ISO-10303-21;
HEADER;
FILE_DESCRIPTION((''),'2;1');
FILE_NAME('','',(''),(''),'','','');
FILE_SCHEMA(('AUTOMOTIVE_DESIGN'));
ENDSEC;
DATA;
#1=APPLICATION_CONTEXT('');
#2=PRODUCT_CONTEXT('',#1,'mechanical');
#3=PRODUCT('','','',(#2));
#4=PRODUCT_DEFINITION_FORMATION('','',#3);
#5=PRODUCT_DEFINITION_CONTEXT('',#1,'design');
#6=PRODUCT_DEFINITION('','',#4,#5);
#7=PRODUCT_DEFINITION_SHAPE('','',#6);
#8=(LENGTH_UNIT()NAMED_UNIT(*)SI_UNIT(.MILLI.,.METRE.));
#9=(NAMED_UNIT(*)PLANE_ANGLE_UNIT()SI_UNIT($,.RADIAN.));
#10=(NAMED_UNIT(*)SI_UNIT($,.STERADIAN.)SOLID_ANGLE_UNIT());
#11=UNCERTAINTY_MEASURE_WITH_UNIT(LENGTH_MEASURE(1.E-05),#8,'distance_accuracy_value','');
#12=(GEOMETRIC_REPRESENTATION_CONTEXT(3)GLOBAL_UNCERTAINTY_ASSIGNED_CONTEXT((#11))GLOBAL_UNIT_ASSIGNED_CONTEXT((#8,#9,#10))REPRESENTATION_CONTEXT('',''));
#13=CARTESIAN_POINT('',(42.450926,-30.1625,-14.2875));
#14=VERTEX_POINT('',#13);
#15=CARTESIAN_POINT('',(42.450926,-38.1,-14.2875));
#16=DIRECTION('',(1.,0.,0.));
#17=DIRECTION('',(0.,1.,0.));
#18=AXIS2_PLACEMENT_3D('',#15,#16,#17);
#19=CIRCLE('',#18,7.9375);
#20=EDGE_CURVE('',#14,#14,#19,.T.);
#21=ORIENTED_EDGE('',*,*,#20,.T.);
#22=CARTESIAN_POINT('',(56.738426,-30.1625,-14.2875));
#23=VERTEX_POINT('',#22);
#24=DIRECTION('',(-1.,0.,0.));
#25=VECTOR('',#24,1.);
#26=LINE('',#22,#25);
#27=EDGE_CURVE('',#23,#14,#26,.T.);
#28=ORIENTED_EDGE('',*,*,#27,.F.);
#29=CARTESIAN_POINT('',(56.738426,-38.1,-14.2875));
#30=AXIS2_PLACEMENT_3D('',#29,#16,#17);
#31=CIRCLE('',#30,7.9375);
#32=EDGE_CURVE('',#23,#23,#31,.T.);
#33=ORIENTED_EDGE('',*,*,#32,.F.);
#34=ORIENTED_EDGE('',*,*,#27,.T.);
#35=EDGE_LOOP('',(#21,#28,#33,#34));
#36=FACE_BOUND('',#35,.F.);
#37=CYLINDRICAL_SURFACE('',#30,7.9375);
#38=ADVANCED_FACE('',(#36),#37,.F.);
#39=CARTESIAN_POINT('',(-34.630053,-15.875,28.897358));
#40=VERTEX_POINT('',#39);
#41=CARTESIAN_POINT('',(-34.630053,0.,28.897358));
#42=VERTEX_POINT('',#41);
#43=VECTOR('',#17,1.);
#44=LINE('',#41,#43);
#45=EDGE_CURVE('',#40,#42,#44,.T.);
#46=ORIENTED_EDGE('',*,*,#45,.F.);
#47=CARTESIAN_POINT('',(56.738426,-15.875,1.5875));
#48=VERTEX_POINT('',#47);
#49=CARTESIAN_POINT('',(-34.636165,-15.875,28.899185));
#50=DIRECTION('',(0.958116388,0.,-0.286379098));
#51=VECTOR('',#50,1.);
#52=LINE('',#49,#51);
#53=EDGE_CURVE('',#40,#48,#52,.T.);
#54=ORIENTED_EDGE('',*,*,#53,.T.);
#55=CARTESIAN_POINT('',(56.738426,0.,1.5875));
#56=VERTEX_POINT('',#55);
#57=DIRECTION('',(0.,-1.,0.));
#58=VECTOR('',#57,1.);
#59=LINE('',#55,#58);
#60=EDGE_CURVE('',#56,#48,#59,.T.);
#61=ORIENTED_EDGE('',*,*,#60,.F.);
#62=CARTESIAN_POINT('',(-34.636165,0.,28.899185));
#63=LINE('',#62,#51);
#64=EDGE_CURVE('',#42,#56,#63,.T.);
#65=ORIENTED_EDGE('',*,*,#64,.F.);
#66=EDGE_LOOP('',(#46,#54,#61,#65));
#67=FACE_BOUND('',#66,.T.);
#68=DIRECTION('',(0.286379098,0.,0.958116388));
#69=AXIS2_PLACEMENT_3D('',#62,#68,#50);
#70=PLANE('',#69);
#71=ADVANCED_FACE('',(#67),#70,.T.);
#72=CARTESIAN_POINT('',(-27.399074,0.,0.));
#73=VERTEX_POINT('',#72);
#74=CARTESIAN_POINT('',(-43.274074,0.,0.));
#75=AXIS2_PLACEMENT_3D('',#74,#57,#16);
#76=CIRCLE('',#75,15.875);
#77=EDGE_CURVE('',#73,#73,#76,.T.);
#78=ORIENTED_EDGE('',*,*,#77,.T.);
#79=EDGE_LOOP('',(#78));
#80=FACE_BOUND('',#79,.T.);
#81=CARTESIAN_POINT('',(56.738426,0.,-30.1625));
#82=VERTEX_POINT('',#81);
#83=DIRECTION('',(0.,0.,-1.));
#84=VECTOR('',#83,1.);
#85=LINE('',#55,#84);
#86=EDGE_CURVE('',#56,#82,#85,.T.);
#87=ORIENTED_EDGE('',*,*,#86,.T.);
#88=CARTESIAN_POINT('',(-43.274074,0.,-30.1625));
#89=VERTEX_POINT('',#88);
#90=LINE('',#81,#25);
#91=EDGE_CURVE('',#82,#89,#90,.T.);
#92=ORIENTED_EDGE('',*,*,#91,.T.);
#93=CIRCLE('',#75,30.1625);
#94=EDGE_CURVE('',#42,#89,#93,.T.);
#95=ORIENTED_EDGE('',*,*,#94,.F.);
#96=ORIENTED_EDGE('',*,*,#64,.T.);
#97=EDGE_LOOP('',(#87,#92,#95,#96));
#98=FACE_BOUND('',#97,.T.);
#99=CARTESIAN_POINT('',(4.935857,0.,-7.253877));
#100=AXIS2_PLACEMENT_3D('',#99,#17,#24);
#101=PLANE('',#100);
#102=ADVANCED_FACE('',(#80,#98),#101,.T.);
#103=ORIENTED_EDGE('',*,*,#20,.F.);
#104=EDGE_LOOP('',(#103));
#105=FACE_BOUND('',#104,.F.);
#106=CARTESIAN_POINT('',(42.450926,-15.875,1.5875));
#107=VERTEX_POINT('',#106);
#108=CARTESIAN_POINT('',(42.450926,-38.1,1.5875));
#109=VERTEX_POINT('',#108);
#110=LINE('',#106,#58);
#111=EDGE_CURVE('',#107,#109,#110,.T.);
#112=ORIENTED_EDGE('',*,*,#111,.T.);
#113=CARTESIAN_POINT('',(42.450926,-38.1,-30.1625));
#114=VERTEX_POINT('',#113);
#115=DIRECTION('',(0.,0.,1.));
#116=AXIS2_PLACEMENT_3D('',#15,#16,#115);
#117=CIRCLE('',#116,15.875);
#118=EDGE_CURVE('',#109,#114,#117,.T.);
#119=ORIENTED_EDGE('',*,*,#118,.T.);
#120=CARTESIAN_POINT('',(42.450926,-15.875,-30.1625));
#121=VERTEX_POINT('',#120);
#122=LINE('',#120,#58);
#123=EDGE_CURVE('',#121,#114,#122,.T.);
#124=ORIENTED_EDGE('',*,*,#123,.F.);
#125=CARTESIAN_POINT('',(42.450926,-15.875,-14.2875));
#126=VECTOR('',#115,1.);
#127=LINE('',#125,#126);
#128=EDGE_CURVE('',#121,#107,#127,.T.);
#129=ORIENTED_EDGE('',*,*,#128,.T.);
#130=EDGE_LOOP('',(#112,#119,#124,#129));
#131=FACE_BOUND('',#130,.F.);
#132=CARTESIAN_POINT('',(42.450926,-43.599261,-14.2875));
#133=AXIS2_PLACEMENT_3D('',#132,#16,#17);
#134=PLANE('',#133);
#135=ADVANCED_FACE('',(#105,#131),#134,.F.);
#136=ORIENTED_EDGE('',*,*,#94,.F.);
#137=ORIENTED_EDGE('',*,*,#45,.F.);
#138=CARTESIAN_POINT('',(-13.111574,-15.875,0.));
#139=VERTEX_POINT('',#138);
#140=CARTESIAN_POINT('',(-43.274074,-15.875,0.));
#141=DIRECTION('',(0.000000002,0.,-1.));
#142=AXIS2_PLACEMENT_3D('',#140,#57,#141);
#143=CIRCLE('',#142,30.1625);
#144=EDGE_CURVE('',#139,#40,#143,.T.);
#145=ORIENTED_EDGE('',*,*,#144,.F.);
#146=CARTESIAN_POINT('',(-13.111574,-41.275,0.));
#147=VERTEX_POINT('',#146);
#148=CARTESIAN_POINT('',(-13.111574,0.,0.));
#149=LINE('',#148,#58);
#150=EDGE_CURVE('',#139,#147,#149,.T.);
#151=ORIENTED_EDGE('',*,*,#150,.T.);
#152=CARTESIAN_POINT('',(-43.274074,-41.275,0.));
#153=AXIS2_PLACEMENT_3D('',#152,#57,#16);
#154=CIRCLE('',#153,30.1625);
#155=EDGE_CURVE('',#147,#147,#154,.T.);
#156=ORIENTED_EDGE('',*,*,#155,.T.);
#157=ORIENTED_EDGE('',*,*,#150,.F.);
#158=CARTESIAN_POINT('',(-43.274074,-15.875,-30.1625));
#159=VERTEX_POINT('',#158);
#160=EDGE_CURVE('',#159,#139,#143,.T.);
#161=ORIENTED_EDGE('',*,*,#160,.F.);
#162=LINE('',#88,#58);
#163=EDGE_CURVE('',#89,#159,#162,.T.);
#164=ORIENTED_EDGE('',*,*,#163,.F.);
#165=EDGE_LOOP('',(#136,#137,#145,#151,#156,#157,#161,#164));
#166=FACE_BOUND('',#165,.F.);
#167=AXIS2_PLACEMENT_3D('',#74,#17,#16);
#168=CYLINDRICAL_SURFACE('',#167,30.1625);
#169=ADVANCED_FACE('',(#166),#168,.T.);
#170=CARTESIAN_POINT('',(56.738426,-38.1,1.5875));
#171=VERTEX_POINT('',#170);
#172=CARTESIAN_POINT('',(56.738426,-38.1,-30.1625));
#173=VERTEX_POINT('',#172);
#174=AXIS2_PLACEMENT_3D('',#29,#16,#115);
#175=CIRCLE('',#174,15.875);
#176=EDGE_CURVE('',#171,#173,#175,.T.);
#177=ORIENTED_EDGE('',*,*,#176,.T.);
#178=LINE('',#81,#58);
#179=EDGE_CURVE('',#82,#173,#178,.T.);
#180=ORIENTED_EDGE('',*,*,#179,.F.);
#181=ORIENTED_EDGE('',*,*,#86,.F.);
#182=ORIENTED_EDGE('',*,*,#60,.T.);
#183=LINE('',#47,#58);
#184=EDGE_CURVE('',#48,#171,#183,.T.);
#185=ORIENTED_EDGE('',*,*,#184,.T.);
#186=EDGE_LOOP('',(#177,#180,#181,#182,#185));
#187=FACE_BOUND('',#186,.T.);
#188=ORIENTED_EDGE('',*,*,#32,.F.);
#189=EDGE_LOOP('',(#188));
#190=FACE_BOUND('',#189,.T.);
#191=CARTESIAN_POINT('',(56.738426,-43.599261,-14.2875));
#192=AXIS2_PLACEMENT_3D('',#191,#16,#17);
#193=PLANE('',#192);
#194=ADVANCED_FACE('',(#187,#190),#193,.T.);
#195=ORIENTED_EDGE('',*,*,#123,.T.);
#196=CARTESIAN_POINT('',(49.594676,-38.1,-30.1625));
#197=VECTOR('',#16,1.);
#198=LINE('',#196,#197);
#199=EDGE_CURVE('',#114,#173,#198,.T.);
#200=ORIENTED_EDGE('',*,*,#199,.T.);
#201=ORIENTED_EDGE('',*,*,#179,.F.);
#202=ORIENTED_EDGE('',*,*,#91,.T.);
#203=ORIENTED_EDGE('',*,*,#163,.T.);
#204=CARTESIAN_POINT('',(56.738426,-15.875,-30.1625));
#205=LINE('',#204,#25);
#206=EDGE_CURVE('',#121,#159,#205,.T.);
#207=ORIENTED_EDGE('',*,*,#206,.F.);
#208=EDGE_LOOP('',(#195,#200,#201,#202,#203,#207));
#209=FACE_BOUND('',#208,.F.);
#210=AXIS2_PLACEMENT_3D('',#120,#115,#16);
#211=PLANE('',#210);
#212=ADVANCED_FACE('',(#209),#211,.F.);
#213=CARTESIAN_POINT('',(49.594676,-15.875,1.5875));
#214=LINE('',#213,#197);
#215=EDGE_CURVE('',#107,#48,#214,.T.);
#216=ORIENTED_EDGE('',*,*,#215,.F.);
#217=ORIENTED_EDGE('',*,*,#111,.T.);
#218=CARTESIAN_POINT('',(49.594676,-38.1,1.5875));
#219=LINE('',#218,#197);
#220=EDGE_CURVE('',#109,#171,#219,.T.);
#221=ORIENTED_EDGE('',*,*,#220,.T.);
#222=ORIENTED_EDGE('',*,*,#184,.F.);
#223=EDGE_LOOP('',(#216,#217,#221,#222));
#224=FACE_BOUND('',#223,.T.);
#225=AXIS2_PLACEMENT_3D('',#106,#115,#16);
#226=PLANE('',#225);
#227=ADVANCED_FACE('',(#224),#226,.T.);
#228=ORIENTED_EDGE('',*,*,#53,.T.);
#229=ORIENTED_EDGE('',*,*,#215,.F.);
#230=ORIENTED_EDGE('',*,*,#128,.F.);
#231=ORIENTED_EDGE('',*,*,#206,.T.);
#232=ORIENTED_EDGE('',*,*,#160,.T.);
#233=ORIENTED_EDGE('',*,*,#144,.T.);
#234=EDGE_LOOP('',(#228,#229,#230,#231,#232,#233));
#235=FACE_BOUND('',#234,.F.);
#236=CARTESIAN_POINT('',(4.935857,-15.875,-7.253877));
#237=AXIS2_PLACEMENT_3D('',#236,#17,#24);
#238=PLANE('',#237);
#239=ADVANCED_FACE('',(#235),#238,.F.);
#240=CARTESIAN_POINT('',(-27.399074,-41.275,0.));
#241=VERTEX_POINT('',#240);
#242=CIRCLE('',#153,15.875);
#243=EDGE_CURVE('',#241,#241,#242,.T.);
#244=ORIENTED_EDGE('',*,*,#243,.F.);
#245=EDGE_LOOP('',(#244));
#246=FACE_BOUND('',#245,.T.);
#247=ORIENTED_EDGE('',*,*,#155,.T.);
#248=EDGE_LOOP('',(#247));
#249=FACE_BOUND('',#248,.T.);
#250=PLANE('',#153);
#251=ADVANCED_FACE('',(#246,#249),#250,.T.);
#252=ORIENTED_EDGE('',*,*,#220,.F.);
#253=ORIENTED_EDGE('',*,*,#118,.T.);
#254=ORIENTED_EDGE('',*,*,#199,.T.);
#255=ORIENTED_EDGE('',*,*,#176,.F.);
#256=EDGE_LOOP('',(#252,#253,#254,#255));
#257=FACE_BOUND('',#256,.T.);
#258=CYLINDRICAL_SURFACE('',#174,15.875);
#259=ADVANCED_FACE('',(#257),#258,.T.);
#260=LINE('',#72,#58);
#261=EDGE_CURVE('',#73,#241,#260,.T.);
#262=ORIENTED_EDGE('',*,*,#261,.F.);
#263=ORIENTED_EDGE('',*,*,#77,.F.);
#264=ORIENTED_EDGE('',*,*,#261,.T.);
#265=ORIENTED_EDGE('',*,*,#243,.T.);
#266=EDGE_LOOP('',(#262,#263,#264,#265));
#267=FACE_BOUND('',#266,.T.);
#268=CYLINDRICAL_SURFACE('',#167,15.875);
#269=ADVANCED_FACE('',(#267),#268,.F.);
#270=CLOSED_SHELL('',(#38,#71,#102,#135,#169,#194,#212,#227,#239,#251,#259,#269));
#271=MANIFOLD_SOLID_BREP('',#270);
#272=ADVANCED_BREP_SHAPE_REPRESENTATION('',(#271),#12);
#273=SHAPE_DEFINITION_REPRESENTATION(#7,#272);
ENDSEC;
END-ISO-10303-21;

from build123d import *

# Parameters (mm, degrees)
F0_R     = 30.1625
F0_R_2   = 15.875
F1_DEPTH = 41.275
F3_DEPTH = 15.875
F4_W     = 14.2875
F4_H     = 31.75
F5_DEPTH = 22.225
F7_DEPTH = 14.2875
F8_R     = 7.9375
F9_DEPTH = 25.4


with BuildPart() as f1:
    # F0 (on Front) → F1 (new body)
    with BuildSketch(Plane.XZ):
        with Locations((-43.274074, 0)):
            Circle(F0_R)
        with Locations((-43.274074, 0)):
            Circle(F0_R_2, mode=Mode.SUBTRACT)
    extrude(amount=F1_DEPTH)

    # F2 (on face) → F3 (join)
    with BuildSketch(Plane(origin=(0, 0, 0), x_dir=(-1, 0, 0), z_dir=(0, 1, 0))):
        with BuildLine():
            Line((-56.738426, -30.1625), (43.274074, -30.1625))
            ThreePointArc((43.274074, -30.1625), (13.429074, -4.364901), (34.636165, 28.899185))
            Line((34.636165, 28.899185), (-56.738426, 1.5875))
            Line((-56.738426, 1.5875), (-56.738426, -30.1625))
        make_face()
    extrude(amount=-F3_DEPTH)

    # F4 (on face) → F5 (join)
    with BuildSketch(Plane.XZ.offset(15.875)):
        with Locations((49.594676, -14.2875)):
            Rectangle(F4_W, F4_H)
    extrude(amount=F5_DEPTH)

    # F6 (on face) → F7 (join)
    with BuildSketch(Plane.YZ.offset(56.738426)):
        with BuildLine():
            Line((-38.1, -30.1625), (-38.1, 1.5875))
            ThreePointArc((-38.1, 1.5875), (-53.975, -14.2875), (-38.1, -30.1625))
        make_face()
    extrude(amount=-F7_DEPTH)

    # F8 (on face) → F9 (cut)
    with BuildSketch(Plane.YZ.offset(56.738426)):
        with Locations((-38.1, -14.2875)):
            Circle(F8_R)
    extrude(amount=-F9_DEPTH, mode=Mode.SUBTRACT)


solid = f1.part
